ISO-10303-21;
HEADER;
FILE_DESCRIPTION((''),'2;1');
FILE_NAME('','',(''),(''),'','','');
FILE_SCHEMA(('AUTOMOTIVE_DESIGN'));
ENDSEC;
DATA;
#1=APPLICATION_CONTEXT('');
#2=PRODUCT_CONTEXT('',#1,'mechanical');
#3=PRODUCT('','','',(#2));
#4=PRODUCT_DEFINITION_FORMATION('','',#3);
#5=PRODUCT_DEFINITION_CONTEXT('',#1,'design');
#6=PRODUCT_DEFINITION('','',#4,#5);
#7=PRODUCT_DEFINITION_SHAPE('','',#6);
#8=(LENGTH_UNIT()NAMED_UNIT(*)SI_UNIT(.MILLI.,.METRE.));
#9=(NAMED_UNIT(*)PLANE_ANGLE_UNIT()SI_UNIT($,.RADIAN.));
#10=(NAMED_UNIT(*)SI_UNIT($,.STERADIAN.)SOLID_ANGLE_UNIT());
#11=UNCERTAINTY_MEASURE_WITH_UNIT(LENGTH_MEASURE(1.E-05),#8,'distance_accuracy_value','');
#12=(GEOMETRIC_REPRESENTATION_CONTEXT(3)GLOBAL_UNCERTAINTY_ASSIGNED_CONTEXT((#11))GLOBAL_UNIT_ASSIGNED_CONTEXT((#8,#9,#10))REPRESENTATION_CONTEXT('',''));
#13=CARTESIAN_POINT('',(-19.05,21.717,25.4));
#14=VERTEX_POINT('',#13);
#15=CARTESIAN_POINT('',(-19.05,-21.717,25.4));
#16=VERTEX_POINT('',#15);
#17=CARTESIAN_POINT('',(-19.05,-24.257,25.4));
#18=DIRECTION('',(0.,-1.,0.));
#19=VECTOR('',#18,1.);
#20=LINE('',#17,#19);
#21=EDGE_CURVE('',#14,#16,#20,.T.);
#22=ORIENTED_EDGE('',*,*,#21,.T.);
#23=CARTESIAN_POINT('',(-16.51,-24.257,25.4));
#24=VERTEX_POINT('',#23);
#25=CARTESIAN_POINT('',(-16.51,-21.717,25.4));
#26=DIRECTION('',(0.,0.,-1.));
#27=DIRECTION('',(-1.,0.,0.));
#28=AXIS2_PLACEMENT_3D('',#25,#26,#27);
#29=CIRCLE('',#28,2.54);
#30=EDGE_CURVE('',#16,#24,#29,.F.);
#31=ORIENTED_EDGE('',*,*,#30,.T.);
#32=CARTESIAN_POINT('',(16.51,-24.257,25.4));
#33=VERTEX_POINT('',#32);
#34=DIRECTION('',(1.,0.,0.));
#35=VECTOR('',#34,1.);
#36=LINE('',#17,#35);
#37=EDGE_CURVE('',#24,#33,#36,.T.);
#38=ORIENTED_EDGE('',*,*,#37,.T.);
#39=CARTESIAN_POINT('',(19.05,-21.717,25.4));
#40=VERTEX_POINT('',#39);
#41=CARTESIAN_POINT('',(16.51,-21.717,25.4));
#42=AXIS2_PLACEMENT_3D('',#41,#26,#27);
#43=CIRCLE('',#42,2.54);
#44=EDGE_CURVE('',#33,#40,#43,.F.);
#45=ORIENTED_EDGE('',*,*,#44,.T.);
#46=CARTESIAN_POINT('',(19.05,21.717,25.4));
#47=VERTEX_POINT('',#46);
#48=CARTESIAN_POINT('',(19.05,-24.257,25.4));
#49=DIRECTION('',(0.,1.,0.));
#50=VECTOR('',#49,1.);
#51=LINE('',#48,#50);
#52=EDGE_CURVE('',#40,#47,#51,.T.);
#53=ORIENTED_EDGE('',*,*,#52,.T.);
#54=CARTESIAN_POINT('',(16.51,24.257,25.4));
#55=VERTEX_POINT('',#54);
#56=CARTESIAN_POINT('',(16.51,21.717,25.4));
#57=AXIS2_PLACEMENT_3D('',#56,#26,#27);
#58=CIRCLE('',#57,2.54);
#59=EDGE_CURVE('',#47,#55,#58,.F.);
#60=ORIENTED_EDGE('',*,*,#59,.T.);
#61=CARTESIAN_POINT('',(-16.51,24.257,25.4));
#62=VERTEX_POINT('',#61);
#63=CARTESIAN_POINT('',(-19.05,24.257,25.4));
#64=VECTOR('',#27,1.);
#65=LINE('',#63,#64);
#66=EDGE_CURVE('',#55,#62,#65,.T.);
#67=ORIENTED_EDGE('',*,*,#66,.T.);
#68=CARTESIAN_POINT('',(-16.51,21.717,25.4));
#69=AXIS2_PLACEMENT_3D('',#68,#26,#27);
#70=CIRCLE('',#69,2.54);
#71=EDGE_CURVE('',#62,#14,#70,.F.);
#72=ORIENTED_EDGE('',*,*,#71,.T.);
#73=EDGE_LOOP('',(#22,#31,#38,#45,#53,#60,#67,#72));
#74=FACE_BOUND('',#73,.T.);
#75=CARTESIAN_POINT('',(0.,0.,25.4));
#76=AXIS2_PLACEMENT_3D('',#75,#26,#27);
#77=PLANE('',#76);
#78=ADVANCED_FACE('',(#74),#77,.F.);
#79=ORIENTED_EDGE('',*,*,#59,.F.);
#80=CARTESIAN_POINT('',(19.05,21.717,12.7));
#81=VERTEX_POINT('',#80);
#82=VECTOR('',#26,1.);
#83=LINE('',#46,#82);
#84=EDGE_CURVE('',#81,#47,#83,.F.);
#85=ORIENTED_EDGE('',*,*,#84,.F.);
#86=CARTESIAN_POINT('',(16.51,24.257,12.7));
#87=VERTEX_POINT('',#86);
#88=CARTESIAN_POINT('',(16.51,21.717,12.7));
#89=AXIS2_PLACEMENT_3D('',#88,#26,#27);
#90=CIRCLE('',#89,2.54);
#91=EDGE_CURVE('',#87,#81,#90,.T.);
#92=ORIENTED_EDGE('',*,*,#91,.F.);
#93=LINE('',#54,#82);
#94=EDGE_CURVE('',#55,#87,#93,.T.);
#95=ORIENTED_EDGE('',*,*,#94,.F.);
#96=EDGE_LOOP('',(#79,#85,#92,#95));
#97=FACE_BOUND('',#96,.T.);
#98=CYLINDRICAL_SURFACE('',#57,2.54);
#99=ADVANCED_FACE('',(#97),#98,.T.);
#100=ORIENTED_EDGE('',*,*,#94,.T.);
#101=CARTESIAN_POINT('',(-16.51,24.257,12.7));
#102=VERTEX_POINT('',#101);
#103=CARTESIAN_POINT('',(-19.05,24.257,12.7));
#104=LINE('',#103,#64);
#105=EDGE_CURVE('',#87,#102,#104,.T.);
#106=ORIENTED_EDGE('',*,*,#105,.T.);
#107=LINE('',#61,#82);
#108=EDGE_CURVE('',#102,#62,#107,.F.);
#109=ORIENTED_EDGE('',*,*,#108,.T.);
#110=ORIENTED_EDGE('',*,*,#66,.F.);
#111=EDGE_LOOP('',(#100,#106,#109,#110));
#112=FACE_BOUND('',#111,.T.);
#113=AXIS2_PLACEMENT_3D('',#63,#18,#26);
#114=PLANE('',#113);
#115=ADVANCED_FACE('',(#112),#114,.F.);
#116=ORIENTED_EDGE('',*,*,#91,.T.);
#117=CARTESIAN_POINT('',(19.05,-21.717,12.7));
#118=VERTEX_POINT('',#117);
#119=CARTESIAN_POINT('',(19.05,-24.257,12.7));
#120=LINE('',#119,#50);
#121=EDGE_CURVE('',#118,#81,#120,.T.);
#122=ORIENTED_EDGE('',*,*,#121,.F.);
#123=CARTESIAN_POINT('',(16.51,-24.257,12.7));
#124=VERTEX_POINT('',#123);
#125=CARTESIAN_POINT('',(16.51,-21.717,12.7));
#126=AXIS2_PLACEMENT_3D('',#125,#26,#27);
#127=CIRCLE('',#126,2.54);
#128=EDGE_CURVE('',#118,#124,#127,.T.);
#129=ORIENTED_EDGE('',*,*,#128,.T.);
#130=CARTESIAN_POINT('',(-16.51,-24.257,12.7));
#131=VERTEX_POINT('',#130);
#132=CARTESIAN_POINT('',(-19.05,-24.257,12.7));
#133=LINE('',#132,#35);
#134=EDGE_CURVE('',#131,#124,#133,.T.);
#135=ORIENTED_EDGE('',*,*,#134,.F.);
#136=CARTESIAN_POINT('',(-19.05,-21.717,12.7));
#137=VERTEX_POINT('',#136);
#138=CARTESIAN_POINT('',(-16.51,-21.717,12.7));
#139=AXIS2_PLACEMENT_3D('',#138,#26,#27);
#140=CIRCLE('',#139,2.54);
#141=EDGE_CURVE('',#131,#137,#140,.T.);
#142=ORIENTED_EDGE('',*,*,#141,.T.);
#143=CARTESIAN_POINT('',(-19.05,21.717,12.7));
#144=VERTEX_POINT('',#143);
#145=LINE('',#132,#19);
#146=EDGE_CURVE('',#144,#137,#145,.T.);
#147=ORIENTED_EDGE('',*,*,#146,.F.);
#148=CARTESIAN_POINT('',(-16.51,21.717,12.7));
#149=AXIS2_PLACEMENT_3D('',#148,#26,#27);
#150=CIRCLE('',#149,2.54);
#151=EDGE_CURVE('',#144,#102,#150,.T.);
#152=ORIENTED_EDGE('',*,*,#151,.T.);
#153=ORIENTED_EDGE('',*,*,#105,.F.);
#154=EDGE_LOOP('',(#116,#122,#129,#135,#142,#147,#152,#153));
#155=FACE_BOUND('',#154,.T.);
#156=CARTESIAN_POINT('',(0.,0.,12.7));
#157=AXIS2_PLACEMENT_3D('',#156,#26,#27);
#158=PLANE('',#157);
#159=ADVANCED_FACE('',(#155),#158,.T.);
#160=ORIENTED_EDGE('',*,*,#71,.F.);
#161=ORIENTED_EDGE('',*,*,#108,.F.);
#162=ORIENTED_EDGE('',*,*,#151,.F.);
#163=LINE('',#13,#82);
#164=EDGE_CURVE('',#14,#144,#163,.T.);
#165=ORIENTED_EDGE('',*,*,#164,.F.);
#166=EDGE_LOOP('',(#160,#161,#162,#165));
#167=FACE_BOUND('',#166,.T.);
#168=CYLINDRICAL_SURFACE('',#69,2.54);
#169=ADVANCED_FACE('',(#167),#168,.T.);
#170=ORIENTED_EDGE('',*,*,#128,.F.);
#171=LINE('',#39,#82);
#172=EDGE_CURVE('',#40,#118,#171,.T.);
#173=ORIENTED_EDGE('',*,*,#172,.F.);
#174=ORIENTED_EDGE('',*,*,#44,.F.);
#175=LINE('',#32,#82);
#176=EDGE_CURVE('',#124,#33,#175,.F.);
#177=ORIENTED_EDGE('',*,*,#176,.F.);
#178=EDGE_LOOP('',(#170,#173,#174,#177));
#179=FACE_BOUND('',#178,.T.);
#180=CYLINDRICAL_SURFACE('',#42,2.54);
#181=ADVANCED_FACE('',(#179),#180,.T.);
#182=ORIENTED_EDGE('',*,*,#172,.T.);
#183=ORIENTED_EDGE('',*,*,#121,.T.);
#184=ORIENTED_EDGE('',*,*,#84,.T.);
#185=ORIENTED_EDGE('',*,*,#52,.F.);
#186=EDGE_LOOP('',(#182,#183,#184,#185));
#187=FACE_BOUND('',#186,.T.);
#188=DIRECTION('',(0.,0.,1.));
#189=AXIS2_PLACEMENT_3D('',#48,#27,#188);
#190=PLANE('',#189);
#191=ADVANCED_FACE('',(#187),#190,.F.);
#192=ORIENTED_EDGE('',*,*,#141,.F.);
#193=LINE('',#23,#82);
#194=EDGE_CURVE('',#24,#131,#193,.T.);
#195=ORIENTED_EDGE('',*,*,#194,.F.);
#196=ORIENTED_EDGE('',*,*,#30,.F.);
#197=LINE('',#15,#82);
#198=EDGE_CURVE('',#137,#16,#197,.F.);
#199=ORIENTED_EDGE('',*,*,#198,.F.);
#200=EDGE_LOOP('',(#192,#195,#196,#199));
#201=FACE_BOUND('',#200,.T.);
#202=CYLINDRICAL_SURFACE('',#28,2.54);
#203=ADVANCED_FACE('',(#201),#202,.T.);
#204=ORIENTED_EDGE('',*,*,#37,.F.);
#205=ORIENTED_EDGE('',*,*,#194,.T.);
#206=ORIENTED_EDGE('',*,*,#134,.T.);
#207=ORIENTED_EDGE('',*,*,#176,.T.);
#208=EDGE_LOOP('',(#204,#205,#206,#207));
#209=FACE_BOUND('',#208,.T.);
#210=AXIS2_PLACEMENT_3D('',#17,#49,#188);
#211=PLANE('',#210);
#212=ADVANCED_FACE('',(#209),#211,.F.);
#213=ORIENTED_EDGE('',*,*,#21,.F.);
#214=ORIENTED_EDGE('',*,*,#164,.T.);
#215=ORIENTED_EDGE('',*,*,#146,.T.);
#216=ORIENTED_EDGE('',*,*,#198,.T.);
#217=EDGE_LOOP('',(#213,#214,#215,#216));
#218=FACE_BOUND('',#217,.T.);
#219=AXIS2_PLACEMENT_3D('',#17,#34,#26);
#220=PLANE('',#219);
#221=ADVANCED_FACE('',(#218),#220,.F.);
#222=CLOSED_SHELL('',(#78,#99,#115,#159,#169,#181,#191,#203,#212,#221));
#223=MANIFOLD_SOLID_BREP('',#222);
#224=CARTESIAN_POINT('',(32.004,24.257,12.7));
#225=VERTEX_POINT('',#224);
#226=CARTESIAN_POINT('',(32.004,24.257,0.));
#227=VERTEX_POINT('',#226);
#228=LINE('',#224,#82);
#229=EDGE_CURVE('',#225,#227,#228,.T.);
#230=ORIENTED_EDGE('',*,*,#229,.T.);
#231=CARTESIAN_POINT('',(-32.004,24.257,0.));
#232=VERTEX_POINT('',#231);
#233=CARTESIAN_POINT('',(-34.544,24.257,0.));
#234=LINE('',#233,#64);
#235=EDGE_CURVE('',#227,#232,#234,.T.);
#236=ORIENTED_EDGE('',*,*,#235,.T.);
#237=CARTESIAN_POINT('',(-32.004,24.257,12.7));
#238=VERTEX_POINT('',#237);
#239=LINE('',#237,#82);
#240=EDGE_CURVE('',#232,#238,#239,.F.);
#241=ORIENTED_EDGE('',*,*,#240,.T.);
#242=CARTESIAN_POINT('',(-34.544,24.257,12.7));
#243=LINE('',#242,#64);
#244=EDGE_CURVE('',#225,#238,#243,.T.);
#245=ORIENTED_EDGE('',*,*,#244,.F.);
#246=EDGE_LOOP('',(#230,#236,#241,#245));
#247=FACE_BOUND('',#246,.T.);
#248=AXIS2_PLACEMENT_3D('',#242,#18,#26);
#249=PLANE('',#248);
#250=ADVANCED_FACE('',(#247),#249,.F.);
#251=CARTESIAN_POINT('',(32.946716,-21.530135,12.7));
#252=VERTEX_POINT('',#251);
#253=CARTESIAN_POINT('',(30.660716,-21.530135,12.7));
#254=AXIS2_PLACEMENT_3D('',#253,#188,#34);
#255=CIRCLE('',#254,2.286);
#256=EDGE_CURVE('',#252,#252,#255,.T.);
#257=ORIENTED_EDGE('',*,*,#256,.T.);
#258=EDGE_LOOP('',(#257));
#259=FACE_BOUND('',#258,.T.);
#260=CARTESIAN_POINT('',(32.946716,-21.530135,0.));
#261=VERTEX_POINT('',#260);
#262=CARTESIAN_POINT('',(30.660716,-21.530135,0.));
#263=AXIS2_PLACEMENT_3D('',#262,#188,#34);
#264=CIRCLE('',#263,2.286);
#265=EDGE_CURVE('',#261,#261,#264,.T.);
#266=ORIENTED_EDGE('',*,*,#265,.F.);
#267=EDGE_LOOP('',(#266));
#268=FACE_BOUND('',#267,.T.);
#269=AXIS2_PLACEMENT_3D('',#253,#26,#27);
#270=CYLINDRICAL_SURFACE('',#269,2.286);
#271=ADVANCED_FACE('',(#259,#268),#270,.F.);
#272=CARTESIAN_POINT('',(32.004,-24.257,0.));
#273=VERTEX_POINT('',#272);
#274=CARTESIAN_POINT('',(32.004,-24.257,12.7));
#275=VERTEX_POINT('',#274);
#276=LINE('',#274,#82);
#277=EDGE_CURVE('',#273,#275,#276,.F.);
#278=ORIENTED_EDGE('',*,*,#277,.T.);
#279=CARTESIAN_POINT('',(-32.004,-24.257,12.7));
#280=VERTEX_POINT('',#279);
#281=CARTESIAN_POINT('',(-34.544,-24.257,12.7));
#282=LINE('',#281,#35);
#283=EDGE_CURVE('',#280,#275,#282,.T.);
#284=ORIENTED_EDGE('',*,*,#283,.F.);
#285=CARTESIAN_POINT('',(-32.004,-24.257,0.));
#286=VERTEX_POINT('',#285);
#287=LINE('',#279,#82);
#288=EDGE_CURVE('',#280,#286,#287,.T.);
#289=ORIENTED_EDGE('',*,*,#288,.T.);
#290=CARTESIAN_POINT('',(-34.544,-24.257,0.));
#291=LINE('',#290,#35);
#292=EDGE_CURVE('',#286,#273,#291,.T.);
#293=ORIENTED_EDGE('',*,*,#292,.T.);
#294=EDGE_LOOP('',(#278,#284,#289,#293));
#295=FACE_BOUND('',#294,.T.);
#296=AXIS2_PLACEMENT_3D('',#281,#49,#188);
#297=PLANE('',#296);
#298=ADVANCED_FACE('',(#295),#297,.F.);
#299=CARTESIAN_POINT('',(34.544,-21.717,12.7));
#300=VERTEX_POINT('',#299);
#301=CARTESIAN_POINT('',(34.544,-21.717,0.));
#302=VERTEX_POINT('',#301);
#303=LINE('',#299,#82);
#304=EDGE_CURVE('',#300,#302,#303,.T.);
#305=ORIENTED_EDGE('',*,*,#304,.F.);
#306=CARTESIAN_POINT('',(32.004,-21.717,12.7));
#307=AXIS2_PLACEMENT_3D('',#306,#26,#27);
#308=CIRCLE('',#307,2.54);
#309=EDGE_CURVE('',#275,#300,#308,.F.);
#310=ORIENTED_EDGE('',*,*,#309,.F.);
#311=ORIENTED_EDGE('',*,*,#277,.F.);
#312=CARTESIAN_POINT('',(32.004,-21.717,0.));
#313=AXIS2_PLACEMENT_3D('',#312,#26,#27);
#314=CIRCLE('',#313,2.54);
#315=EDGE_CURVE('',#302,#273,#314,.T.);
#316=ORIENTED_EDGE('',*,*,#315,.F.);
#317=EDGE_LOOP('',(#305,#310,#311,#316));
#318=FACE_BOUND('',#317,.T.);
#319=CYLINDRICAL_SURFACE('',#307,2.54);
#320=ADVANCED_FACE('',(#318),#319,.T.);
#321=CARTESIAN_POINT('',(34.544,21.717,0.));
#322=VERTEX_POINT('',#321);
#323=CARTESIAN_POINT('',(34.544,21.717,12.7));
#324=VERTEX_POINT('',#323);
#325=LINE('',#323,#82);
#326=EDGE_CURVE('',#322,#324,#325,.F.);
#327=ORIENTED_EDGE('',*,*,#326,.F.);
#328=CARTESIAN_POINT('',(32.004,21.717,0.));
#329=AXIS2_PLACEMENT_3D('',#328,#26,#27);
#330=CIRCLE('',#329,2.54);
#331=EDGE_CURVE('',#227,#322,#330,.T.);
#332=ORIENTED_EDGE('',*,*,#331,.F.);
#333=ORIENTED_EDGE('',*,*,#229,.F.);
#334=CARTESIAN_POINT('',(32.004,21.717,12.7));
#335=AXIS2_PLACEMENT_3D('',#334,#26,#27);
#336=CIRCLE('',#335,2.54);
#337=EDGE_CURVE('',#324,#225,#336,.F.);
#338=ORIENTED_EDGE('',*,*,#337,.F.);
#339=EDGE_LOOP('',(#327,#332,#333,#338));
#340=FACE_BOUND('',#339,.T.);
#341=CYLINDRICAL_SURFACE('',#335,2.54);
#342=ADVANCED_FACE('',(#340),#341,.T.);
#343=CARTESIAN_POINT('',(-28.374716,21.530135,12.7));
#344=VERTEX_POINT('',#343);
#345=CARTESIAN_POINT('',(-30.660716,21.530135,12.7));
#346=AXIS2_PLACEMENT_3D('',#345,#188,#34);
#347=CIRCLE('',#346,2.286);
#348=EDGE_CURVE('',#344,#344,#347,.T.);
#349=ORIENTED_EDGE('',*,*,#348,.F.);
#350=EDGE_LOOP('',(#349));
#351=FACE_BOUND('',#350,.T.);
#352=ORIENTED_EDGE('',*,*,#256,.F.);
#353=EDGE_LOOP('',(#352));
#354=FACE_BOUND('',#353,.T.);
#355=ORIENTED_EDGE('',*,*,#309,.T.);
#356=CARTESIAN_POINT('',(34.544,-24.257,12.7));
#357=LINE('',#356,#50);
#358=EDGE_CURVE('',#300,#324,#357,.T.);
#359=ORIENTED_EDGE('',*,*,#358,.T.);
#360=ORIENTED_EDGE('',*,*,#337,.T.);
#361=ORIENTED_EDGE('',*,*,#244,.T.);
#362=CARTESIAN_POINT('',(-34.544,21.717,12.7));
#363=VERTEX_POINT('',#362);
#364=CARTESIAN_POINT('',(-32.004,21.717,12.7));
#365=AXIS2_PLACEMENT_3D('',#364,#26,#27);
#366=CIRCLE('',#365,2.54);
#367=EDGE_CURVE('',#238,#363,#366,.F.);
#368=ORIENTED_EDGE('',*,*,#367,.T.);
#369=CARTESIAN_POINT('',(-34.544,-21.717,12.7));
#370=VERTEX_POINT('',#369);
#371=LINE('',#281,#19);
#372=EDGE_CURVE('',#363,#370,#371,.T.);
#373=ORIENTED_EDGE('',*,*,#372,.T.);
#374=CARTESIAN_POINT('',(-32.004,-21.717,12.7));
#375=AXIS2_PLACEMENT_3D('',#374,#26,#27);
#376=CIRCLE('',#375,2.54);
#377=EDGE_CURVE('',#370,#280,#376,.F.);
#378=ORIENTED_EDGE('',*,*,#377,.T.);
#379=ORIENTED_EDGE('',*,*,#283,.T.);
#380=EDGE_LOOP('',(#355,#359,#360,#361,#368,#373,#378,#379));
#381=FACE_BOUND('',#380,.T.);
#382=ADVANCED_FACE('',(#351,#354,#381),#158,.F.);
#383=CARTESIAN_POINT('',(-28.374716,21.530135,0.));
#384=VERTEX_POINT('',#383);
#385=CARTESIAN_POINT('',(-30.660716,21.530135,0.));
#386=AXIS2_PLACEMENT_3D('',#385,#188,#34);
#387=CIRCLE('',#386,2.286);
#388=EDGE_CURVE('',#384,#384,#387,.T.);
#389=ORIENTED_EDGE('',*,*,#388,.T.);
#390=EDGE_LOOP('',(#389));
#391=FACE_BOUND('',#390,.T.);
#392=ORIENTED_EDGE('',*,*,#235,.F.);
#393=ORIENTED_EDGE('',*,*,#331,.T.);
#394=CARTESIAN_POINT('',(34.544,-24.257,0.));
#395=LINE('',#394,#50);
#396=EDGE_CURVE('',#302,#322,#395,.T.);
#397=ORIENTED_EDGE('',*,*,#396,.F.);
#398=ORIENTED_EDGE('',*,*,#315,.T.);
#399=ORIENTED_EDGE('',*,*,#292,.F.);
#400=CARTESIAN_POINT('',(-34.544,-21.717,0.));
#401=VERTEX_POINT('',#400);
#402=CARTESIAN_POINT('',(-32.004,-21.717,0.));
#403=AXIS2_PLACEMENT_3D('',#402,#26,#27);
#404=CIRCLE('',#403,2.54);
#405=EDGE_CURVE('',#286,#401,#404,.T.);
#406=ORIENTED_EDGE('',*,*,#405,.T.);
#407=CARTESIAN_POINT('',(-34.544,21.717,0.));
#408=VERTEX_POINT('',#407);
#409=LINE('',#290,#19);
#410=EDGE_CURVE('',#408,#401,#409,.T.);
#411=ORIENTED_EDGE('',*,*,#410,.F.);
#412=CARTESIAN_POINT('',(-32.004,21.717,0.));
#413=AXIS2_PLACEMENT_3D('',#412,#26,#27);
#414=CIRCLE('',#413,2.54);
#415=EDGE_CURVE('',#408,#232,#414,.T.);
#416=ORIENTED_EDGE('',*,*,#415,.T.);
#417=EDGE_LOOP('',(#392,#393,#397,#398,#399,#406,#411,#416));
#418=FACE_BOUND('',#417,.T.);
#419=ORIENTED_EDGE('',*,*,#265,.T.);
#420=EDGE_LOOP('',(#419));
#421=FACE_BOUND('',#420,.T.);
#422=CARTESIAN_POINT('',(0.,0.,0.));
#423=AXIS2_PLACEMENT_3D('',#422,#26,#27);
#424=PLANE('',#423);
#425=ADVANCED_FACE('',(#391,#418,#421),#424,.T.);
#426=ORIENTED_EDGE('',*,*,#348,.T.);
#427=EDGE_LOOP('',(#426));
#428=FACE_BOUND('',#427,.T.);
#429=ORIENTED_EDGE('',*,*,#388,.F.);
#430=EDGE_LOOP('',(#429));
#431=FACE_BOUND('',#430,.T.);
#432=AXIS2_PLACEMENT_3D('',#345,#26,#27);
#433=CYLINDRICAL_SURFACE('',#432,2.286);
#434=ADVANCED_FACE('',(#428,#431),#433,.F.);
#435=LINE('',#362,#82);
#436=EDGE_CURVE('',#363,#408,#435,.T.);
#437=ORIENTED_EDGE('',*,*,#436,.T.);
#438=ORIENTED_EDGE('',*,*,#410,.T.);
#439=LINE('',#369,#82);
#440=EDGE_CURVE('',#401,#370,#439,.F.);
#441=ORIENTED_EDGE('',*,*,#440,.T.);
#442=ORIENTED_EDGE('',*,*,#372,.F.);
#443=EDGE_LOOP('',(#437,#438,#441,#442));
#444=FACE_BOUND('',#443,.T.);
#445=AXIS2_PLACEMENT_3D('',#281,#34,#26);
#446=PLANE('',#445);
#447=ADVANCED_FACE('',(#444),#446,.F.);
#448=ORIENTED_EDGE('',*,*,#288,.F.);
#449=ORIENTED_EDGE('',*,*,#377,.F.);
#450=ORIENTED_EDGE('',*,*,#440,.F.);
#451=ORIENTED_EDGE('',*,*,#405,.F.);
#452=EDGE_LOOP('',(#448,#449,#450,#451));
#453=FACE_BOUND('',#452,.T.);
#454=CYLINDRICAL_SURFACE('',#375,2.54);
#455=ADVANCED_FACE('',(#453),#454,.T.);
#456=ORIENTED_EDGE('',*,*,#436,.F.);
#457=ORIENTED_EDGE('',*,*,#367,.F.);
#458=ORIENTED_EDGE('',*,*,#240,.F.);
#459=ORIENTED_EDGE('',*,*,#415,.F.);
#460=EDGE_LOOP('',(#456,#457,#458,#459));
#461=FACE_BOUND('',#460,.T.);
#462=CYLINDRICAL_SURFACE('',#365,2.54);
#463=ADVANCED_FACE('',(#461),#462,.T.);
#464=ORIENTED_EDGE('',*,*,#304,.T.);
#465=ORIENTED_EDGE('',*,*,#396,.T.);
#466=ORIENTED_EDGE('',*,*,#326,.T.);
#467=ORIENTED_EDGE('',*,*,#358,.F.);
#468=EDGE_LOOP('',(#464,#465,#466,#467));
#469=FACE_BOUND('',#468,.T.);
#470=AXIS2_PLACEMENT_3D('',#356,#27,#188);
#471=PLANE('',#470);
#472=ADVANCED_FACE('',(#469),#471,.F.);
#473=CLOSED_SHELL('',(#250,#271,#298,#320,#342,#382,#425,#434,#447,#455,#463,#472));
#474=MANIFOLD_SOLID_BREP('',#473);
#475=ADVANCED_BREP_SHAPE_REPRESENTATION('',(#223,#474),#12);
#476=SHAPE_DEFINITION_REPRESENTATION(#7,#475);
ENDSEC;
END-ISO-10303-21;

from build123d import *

# Parameters (mm, degrees)
SKETCH1_W           = 69.088
SKETCH1_H           = 48.514
SKETCH1_R           = 2.286
BOSS_EXTRUDE1_DEPTH = 12.7
SKETCH2_W           = 38.1
SKETCH2_H           = 48.514
BOSS_EXTRUDE2_DEPTH = 12.7
FILLET1_R           = 2.54
FILLET2_R           = 2.54


with BuildPart() as part:
    # Sketch1 → Boss-Extrude1 (new body)
    with BuildSketch(Plane.XY):
        Rectangle(SKETCH1_W, SKETCH1_H)
        with Locations((-30.660716006, 21.530135137)):
            Circle(SKETCH1_R, mode=Mode.SUBTRACT)
        with Locations((30.660716006, -21.530135137)):
            Circle(SKETCH1_R, mode=Mode.SUBTRACT)
    extrude(amount=BOSS_EXTRUDE1_DEPTH)

    # Fillet1
    fillet1_edges = [part.edges().sort_by_distance(p)[0] for p in [
        (34.544, -24.257, 6.35),
        (-34.544, -24.257, 6.35),
        (-34.544, 24.257, 6.35),
        (34.544, 24.257, 6.35),
    ]]
    fillet(fillet1_edges, radius=FILLET1_R)


with BuildPart() as body_2:
    # Sketch2 → Boss-Extrude2 (new body)
    with BuildSketch(Plane.XY.offset(12.7)):
        Rectangle(SKETCH2_W, SKETCH2_H)
    extrude(amount=BOSS_EXTRUDE2_DEPTH)

    # Fillet2
    fillet2_edges = [body_2.edges().sort_by_distance(p)[0] for p in [
        (19.05, -24.257, 19.05),
        (-19.05, -24.257, 19.05),
        (-19.05, 24.257, 19.05),
        (19.05, 24.257, 19.05),
    ]]
    fillet(fillet2_edges, radius=FILLET2_R)


solid = Compound([part.part, body_2.part])
